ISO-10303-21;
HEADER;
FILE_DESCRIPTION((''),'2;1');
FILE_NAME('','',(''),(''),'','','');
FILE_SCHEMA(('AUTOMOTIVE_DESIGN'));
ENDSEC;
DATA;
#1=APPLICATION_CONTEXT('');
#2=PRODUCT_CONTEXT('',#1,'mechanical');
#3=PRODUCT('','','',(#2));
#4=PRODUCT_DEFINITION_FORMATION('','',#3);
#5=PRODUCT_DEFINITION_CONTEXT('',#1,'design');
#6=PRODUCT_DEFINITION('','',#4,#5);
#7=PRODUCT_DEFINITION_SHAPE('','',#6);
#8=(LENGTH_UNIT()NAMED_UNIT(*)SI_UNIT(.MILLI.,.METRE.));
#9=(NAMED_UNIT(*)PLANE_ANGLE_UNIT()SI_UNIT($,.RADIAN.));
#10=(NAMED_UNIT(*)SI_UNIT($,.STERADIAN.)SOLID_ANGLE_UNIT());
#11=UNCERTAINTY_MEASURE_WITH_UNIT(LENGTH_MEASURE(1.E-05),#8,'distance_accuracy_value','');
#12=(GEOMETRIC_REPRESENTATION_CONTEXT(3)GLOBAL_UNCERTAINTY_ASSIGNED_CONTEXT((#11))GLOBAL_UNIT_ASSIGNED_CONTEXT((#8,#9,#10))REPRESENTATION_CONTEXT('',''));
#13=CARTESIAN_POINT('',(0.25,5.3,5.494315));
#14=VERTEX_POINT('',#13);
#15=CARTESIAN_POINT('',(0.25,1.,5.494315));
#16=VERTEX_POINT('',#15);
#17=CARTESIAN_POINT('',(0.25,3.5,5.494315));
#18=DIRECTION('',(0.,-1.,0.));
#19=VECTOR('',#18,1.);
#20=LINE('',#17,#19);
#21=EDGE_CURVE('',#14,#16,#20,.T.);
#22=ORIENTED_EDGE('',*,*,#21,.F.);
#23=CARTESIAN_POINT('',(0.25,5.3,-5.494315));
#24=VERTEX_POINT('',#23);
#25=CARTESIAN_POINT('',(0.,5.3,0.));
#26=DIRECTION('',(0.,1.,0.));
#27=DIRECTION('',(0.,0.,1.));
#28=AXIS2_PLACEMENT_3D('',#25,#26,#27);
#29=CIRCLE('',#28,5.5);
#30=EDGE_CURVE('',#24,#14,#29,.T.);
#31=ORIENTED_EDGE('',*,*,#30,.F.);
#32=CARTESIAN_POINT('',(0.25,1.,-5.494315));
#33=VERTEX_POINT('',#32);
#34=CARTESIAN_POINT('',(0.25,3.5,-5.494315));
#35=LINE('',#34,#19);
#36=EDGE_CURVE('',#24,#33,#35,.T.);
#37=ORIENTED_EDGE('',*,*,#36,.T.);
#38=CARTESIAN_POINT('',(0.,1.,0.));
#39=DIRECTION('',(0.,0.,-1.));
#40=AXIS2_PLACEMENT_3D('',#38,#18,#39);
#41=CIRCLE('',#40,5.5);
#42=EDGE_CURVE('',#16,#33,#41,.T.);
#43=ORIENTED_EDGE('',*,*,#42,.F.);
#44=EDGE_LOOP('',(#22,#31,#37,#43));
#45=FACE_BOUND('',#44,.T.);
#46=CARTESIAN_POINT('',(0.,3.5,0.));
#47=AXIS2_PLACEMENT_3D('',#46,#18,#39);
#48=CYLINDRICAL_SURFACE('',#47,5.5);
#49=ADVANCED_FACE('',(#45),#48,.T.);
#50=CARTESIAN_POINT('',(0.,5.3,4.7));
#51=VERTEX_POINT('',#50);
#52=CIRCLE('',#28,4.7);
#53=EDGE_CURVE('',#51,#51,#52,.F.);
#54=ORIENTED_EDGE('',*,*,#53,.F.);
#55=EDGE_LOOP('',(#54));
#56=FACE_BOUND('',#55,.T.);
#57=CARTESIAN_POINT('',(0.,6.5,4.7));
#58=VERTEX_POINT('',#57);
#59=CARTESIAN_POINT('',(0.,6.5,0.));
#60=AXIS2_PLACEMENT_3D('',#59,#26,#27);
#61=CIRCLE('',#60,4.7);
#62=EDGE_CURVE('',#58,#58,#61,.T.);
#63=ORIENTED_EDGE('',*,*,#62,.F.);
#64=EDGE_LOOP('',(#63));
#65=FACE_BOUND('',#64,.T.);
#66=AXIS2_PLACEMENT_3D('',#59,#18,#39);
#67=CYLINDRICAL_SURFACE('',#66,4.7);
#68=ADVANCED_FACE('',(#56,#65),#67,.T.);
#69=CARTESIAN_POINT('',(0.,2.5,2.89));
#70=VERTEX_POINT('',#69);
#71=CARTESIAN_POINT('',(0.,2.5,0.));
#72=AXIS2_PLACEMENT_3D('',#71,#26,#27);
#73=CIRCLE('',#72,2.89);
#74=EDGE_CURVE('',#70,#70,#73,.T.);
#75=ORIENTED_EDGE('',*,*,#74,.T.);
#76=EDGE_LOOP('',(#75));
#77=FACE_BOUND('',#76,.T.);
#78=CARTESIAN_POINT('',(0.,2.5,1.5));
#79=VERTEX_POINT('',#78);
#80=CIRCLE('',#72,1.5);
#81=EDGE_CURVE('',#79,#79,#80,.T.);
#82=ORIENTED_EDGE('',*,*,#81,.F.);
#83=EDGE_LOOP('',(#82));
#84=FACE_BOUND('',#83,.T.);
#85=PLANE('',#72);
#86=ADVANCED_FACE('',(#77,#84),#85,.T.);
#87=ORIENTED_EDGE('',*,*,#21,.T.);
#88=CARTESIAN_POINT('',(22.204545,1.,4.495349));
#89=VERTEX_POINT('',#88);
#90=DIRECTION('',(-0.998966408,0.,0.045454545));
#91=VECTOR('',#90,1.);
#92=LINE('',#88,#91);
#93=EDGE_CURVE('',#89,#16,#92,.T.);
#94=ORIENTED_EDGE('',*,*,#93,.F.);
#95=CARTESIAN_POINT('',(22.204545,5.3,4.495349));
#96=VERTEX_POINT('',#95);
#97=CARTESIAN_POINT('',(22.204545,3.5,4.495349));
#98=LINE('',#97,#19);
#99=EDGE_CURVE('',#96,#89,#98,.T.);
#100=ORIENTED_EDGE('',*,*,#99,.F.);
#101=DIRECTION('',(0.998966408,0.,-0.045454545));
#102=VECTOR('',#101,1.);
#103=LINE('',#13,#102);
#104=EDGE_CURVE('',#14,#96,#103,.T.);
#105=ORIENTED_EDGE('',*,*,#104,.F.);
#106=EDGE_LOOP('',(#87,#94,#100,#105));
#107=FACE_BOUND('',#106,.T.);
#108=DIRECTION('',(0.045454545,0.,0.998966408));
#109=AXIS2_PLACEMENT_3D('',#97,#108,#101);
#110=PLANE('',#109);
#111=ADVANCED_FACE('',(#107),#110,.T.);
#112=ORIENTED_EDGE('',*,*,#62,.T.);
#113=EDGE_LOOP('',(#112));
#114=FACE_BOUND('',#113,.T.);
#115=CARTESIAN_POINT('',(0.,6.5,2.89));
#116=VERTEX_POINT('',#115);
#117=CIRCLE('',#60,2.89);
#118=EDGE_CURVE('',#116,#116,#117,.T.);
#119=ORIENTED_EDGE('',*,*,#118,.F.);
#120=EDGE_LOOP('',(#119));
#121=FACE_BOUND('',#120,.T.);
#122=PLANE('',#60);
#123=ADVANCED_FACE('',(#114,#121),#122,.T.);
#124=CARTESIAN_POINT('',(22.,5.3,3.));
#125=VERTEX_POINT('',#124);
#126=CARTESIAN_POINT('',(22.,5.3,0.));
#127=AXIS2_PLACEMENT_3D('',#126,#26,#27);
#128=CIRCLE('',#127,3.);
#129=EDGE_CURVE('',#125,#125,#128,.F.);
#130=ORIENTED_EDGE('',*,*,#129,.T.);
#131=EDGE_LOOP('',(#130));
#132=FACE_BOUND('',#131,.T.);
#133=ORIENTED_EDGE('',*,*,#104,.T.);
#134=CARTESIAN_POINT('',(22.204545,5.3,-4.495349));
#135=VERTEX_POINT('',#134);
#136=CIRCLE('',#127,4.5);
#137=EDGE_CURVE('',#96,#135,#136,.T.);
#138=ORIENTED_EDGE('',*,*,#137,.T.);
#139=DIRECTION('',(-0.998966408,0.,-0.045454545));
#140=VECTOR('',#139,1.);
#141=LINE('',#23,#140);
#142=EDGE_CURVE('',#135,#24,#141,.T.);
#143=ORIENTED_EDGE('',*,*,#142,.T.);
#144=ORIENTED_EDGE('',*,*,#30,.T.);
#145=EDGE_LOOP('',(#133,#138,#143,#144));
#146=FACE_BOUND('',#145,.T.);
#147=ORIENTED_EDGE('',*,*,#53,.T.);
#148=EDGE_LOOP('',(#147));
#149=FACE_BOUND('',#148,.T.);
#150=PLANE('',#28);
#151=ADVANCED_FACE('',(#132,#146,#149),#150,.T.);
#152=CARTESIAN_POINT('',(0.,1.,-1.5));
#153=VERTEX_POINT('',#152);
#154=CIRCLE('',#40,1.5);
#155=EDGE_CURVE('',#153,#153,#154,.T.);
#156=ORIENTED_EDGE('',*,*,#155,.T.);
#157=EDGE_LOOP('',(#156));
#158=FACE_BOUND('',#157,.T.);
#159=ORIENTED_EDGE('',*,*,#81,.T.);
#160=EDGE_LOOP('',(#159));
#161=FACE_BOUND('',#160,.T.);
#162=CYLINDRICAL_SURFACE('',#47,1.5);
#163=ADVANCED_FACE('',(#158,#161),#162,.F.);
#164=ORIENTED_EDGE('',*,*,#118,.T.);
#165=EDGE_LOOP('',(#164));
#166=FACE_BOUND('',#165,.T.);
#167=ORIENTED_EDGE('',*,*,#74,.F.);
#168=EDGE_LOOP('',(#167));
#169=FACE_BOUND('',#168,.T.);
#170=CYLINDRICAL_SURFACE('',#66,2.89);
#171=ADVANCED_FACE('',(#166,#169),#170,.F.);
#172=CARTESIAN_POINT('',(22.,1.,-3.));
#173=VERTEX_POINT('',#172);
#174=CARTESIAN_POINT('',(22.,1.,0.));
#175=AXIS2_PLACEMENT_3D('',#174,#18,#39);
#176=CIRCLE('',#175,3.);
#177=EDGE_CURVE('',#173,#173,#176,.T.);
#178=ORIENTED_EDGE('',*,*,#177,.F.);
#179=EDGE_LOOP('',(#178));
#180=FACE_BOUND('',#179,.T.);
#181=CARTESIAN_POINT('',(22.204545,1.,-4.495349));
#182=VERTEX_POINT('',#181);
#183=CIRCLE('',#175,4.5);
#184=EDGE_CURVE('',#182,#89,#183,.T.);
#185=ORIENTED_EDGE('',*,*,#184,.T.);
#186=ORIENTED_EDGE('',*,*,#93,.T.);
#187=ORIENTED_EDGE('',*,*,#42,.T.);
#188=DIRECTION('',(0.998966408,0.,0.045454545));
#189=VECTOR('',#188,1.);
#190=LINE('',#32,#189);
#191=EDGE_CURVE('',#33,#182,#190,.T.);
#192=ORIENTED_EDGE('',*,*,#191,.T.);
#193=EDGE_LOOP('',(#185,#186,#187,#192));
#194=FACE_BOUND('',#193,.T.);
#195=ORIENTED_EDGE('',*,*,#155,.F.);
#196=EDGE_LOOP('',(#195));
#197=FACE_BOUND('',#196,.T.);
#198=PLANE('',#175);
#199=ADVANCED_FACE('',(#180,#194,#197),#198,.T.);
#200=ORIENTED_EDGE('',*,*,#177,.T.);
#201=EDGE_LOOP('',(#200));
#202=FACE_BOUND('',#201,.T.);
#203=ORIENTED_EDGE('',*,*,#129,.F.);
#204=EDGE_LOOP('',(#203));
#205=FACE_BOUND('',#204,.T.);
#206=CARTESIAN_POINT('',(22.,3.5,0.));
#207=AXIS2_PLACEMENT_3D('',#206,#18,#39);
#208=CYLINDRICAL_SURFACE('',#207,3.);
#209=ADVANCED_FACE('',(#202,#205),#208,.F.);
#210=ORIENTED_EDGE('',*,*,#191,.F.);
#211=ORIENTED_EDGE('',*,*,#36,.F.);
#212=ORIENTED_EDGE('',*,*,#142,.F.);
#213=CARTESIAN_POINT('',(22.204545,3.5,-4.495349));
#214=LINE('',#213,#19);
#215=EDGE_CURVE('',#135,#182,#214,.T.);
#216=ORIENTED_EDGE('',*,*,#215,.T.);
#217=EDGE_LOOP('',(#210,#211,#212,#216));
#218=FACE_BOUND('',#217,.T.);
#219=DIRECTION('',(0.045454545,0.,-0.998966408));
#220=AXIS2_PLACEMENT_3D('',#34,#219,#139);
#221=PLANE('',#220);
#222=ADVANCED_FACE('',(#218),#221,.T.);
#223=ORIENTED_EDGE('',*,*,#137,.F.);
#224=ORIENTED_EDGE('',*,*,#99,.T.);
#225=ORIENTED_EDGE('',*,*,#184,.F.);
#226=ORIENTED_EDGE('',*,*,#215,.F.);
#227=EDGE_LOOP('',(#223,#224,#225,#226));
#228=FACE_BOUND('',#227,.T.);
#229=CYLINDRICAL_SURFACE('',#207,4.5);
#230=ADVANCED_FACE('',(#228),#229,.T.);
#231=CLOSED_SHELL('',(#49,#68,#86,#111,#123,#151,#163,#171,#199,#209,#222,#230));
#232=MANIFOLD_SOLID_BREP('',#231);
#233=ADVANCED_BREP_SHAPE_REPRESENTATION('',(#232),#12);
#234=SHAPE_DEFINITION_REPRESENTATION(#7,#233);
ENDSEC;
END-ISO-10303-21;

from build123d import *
from build123d.topology import SkipClean

# Parameters (mm, degrees)
SKETCH1_R           = 1.5
SKETCH1_R_2         = 3
BOSS_EXTRUDE1_DEPTH = 3.5
SKETCH2_R           = 4.7
SKETCH2_R_2         = 2.89
BOSS_EXTRUDE2_DEPTH = 3
CUT_EXTRUDE1_START  = -1
SKETCH3_R           = 2.89
CUT_EXTRUDE1_DEPTH  = 1
SKETCH4_R           = 3
SKETCH4_R_2         = 4.7
BOSS_EXTRUDE3_DEPTH = 1.8
CUT_EXTRUDE2_DEPTH  = 1


with BuildPart() as part:
    # Sketch1 → Boss-Extrude1 (new body)
    with BuildSketch(Plane(origin=(0, 0, 0), x_dir=(1, 0, 0), z_dir=(0, 1, 0))):
        with BuildLine():
            Line((0.25, 5.494315244), (22.204545455, 4.495348836))
            ThreePointArc((22.204545455, 4.495348836), (26.5, 0), (22.204545455, -4.495348836))
            Line((22.204545455, -4.495348836), (0.25, -5.494315244))
            ThreePointArc((0.25, -5.494315244), (-5.5, 0), (0.25, 5.494315244))
        make_face()
        with Locations(Location((0, 0, 0), (0, 0, 270))):
            Circle(SKETCH1_R, mode=Mode.SUBTRACT)
        with Locations(Location((22, 0, 0), (0, 0, 270))):
            Circle(SKETCH1_R_2, mode=Mode.SUBTRACT)
    extrude(amount=BOSS_EXTRUDE1_DEPTH)

    # Sketch2 → Boss-Extrude2 (add)
    with BuildSketch(Plane(origin=(0, 3.5, 0), x_dir=(1, 0, 0), z_dir=(0, 1, 0))):
        with Locations(Location((0, 0, 0), (0, 0, 90))):
            Circle(SKETCH2_R)
        with Locations(Location((0, 0, 0), (0, 0, 270))):
            Circle(SKETCH2_R_2, mode=Mode.SUBTRACT)
    extrude(amount=BOSS_EXTRUDE2_DEPTH)

    # Sketch3 → Cut-Extrude1 (cut)
    with BuildSketch(Plane(origin=(0, 3.5, 0), x_dir=(1, 0, 0), z_dir=(0, 1, 0)).offset(CUT_EXTRUDE1_START)):
        with Locations(Location((0, 0, 0), (0, 0, 270))):
            Circle(SKETCH3_R)
    extrude(amount=CUT_EXTRUDE1_DEPTH, mode=Mode.SUBTRACT)

    # Sketch4 → Boss-Extrude3 (add)
    with SkipClean():  # the faces are left unmerged after this step: merging them gives an invalid solid
        with BuildSketch(Plane(origin=(0, 3.5, 0), x_dir=(1, 0, 0), z_dir=(0, 1, 0))):
            with BuildLine():
                Line((0.25, -5.494315244), (22.204545455, -4.495348836))
                ThreePointArc((22.204545455, -4.495348836), (26.5, 0), (22.204545455, 4.495348836))
                Line((22.204545455, 4.495348836), (0.25, 5.494315244))
                ThreePointArc((0.25, 5.494315244), (-5.5, 0), (0.25, -5.494315244))
            make_face()
            with Locations(Location((22, 0, 0), (0, 0, 270))):
                Circle(SKETCH4_R, mode=Mode.SUBTRACT)
            with Locations(Location((0, 0, 0), (0, 0, 270))):
                Circle(SKETCH4_R_2, mode=Mode.SUBTRACT)
        extrude(amount=BOSS_EXTRUDE3_DEPTH)

    # Sketch5 → Cut-Extrude2 (cut)
    with SkipClean():  # the faces are left unmerged after this step: merging them gives an invalid solid
        with BuildSketch(Plane.XZ):
            with BuildLine():
                Line((22.204545455, 4.495348836), (0.25, 5.494315244))
                ThreePointArc((0.25, 5.494315244), (-5.5, 0), (0.25, -5.494315244))
                Line((0.25, -5.494315244), (22.204545455, -4.495348836))
                ThreePointArc((22.204545455, -4.495348836), (26.5, 0), (22.204545455, 4.495348836))
            make_face()
        extrude(amount=-CUT_EXTRUDE2_DEPTH, mode=Mode.SUBTRACT)


solid = part.part
